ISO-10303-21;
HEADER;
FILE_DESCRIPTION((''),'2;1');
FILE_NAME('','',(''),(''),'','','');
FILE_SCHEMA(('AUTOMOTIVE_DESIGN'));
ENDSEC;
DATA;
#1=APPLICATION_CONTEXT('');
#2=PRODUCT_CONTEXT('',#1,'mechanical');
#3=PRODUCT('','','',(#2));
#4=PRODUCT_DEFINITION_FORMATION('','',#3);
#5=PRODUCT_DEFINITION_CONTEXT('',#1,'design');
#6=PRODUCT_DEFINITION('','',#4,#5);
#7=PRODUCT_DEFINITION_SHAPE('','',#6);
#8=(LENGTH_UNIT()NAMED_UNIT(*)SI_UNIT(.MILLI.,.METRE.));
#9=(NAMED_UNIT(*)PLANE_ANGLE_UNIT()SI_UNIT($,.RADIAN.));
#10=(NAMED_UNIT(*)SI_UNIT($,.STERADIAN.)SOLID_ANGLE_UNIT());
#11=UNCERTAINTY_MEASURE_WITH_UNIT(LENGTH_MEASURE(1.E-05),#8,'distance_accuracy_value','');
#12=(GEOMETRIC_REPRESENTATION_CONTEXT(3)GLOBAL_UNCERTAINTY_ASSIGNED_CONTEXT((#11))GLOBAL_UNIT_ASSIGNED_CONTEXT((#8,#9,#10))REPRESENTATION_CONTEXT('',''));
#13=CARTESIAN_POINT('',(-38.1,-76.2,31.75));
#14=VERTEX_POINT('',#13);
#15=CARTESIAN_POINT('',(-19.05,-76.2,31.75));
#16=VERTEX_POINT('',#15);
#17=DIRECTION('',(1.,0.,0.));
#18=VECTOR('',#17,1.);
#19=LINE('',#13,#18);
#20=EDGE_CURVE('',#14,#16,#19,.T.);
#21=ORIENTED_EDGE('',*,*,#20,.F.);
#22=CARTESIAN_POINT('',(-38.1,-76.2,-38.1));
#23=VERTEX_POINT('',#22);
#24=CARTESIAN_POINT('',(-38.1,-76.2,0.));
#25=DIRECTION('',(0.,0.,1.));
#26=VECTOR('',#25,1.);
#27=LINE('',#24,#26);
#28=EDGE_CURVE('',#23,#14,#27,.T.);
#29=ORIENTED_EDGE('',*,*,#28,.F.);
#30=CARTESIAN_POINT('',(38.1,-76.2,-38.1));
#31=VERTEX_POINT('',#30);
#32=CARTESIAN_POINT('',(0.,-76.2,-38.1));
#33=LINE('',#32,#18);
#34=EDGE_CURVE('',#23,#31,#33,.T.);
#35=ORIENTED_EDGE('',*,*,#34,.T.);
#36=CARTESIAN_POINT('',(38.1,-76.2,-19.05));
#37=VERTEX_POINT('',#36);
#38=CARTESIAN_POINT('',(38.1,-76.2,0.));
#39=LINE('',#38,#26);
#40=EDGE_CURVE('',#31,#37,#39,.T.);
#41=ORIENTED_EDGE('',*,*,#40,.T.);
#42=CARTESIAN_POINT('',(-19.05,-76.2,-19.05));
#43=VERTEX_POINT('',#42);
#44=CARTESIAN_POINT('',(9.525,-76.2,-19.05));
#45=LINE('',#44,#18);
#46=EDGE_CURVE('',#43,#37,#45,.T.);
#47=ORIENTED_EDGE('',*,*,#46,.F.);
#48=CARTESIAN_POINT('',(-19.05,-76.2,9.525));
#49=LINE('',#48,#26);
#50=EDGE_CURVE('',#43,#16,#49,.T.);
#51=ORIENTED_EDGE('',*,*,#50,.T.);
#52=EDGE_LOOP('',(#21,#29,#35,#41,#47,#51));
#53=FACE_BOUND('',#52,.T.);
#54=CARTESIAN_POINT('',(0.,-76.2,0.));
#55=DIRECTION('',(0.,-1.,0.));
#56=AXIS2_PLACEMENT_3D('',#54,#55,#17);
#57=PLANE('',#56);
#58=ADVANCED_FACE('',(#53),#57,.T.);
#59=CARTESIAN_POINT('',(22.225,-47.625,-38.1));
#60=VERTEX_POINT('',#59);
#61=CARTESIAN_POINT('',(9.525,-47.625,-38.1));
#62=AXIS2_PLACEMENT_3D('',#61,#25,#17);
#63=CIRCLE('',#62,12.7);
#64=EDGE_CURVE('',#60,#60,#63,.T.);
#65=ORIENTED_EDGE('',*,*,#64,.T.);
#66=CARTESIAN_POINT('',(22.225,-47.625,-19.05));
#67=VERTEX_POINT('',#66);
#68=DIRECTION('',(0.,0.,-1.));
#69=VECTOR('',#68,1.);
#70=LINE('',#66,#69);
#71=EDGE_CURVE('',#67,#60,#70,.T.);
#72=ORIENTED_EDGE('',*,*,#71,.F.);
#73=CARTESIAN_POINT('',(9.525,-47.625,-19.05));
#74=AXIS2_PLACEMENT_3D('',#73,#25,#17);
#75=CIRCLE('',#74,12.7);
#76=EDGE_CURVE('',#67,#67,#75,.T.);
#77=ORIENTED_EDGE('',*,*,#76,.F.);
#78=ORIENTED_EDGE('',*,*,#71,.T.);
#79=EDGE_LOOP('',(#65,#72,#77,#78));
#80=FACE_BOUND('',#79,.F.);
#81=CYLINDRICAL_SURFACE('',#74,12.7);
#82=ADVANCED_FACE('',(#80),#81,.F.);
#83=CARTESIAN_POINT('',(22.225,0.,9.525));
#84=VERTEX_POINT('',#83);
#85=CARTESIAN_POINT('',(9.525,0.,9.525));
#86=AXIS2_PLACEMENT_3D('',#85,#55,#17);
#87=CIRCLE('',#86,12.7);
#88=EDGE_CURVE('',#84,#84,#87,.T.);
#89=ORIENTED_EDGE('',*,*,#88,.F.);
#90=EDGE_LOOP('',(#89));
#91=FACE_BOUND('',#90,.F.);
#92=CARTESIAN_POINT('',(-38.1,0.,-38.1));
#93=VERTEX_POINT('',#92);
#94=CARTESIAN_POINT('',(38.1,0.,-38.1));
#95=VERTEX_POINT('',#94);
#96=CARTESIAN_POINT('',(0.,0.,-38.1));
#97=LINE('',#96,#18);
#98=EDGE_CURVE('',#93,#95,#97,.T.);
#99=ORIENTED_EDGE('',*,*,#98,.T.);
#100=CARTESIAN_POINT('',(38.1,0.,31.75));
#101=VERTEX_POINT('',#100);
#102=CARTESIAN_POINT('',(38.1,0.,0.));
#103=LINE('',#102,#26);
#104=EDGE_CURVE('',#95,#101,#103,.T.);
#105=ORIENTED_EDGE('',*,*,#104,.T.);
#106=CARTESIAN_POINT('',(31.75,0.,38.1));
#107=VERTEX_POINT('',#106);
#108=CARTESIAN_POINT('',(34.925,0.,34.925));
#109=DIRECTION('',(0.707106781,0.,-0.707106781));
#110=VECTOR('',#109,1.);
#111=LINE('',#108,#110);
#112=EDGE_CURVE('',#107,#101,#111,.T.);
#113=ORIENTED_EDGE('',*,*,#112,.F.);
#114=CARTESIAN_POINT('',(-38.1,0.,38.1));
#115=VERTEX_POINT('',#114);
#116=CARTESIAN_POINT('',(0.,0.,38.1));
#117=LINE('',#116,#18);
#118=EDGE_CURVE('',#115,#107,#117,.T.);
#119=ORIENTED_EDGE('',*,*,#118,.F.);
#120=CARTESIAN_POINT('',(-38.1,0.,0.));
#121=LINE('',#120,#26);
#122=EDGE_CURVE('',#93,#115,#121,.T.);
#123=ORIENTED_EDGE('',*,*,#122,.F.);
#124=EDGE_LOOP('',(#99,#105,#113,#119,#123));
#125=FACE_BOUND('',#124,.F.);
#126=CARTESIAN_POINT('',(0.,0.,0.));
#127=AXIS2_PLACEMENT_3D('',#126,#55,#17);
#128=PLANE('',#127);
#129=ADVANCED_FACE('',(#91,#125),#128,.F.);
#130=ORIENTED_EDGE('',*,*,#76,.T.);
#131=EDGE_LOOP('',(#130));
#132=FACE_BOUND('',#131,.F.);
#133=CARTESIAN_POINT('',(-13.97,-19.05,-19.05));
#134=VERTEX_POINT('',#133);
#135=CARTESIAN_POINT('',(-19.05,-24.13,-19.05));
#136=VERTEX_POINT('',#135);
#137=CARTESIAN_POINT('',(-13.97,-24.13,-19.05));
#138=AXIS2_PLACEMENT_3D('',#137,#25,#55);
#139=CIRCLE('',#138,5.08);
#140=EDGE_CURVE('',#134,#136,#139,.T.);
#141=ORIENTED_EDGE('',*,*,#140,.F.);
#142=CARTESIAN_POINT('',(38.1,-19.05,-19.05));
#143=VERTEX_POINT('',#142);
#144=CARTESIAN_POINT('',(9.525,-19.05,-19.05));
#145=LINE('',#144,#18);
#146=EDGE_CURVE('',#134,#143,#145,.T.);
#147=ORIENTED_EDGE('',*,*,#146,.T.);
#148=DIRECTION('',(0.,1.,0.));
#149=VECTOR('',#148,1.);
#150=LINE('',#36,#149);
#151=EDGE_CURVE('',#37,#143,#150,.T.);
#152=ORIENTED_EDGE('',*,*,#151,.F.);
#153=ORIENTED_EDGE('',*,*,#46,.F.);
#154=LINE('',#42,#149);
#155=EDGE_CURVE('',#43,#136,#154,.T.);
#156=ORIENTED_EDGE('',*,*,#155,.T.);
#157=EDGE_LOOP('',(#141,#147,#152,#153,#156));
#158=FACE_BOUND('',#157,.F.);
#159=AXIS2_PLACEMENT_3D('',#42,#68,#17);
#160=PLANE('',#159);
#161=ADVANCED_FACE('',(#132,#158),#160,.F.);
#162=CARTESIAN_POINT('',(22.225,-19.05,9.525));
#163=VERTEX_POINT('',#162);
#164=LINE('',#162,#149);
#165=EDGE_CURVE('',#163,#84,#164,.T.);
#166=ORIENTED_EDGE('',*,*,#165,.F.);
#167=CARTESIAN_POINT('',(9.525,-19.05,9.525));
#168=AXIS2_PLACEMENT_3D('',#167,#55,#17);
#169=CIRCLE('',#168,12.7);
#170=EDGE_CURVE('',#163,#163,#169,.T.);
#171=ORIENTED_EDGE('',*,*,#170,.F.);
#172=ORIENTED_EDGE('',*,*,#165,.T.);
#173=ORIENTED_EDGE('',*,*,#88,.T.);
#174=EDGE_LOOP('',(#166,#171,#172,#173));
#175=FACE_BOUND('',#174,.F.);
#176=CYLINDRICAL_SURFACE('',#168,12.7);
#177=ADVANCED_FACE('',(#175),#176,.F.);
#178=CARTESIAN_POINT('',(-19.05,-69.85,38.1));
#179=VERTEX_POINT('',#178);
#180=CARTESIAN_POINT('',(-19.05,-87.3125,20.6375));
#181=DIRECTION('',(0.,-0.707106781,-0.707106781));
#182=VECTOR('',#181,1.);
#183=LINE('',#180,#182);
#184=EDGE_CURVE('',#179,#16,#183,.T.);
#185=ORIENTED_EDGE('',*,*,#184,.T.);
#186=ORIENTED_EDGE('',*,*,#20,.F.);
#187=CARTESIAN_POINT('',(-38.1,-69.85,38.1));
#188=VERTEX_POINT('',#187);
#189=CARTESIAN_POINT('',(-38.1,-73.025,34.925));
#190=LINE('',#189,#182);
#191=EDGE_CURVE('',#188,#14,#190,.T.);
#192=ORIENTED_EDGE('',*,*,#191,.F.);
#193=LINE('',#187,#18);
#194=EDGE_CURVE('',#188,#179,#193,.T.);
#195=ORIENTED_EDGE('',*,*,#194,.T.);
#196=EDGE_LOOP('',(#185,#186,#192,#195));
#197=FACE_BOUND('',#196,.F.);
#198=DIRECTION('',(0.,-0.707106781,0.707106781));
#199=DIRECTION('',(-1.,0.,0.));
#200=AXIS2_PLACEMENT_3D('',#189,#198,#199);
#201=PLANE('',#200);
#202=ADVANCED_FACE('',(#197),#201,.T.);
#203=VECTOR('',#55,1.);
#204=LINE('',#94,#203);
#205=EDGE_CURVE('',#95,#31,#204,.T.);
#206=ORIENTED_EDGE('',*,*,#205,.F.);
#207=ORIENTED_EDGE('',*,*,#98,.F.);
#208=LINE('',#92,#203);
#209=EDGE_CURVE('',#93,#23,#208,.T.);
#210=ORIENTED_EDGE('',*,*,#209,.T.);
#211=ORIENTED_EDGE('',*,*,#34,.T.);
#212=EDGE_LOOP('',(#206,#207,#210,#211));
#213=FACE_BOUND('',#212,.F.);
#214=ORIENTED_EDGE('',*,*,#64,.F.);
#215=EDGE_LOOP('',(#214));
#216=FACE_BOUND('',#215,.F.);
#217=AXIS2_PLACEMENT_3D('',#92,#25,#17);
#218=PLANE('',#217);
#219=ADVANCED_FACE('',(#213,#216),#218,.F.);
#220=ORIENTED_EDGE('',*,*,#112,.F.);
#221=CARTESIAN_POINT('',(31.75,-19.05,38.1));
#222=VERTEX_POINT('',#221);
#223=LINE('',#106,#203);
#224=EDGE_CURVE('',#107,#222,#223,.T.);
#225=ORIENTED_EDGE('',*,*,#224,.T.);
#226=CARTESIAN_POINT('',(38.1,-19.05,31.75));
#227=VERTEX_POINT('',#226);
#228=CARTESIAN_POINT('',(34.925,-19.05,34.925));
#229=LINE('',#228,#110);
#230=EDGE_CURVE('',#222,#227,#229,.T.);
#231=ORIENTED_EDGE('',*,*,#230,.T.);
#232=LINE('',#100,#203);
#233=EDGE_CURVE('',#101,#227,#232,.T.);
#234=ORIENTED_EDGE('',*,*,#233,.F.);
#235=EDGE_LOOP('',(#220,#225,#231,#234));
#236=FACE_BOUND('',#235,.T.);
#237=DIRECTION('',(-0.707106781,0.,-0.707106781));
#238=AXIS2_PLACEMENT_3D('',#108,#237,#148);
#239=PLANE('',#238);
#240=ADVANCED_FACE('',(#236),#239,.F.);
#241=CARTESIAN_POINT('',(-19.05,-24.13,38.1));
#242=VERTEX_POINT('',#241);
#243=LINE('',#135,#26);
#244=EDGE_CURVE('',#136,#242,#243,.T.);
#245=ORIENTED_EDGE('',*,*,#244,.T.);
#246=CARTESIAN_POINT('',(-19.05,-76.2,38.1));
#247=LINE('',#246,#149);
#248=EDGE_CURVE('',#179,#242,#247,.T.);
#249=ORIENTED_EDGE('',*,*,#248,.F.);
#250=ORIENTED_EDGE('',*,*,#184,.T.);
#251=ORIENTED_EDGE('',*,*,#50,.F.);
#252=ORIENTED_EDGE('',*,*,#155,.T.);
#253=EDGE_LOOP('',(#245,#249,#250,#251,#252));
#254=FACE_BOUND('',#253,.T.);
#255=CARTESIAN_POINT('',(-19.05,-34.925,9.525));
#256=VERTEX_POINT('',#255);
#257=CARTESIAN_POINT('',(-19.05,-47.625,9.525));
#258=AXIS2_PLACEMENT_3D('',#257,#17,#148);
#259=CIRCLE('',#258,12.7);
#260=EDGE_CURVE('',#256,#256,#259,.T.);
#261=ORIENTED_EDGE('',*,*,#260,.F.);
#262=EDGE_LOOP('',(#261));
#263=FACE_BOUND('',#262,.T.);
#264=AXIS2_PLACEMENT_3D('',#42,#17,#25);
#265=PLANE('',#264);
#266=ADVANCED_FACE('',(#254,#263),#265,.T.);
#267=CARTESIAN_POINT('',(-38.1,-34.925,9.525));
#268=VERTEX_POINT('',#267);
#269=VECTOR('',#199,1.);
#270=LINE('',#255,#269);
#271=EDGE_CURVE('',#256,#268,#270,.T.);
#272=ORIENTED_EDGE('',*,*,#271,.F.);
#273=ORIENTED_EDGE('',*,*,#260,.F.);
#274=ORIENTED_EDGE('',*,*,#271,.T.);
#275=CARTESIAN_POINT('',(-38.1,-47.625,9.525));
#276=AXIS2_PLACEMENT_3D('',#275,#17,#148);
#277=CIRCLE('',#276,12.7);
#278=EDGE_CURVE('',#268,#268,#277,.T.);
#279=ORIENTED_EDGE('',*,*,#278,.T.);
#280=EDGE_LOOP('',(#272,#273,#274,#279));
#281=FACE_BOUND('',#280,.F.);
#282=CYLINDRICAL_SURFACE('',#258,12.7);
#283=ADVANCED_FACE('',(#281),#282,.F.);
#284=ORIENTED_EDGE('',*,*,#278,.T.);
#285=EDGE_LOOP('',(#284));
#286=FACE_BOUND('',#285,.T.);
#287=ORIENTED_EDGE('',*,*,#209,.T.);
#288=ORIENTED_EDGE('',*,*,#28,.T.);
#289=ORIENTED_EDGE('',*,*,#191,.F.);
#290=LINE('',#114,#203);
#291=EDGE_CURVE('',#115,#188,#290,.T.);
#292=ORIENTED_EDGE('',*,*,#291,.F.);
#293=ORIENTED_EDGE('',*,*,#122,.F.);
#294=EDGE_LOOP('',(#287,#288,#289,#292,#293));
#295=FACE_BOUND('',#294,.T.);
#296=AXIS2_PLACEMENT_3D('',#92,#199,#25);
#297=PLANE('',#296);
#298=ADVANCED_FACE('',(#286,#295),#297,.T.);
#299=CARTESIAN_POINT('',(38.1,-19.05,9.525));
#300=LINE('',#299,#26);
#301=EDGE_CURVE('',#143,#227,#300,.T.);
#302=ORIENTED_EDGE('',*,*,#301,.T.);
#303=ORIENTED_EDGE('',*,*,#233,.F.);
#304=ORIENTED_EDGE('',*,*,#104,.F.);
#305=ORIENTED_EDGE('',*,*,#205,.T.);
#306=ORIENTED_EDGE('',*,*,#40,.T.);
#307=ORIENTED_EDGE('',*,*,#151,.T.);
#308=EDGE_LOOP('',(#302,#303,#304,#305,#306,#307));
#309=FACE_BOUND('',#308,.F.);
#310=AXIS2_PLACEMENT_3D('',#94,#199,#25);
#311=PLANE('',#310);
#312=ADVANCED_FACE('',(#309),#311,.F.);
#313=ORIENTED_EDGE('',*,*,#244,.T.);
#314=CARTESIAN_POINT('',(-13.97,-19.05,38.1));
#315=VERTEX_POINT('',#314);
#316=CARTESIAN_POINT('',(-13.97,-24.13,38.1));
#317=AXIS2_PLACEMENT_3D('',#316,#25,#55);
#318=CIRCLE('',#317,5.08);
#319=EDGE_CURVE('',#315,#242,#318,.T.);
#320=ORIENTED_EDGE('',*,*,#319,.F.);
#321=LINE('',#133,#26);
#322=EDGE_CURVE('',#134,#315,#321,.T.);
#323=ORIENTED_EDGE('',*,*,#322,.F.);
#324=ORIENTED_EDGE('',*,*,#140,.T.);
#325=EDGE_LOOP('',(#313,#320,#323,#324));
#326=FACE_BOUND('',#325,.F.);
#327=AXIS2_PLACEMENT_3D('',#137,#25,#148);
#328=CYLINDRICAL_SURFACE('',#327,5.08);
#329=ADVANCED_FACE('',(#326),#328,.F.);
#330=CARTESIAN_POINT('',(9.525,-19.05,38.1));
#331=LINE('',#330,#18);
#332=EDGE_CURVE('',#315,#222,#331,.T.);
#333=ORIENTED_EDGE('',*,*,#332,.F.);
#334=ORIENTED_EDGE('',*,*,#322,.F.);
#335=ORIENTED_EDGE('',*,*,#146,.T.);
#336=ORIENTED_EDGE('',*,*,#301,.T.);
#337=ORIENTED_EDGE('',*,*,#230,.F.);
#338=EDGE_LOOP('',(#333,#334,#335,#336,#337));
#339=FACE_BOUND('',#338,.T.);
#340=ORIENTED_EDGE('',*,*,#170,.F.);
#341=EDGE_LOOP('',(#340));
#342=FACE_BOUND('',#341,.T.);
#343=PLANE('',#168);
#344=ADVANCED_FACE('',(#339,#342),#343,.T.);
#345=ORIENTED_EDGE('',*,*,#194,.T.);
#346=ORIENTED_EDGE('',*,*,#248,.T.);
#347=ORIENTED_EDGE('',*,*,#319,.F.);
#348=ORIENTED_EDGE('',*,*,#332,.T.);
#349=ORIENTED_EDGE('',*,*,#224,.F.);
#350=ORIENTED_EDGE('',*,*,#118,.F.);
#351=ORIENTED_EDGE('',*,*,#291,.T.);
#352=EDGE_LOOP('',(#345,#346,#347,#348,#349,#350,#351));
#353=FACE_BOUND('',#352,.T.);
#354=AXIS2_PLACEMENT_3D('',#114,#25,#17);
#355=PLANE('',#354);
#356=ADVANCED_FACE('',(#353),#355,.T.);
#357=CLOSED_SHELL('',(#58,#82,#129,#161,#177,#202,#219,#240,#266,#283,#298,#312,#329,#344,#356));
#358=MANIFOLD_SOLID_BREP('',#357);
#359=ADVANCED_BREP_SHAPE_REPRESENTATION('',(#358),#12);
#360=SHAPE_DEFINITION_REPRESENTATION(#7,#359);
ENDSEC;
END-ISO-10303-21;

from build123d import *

# Parameters (mm, degrees)
F0_W      = 76.2
F0_H      = 76.2
F1_DEPTH  = 76.2
F2_W      = 57.15
F2_H      = 57.15
F3_DEPTH  = 57.15
F4_SIZE   = 6.35
F5_SIZE   = 6.35
F6_R      = 5.08
F7_R      = 12.7
F8_DEPTH  = 19.05
F9_R      = 12.7
F10_DEPTH = 19.05
F11_R     = 12.7
F12_DEPTH = 19.05


with BuildPart() as f1:
    # F0 (on Front) → F1 (new body)
    with BuildSketch(Plane.XZ):
        Rectangle(F0_W, F0_H)
    extrude(amount=F1_DEPTH)

    # F2 (on face) → F3 (cut)
    with BuildSketch(Plane.XZ.offset(76.2)):
        with Locations((9.525, 9.525)):
            Rectangle(F2_W, F2_H)
    extrude(amount=-F3_DEPTH, mode=Mode.SUBTRACT)

    # F4
    f4_edges = [f1.edges().sort_by_distance(p)[0] for p in [
        (-28.575, -76.2, 38.1),
    ]]
    chamfer(f4_edges, length=F4_SIZE)

    # F5
    f5_edges = [f1.edges().sort_by_distance(p)[0] for p in [
        (38.1, -9.525, 38.1),
    ]]
    chamfer(f5_edges, length=F5_SIZE)

    # F6
    f6_edges = [f1.edges().sort_by_distance(p)[0] for p in [
        (-19.05, -19.05, 9.525),
    ]]
    fillet(f6_edges, radius=F6_R)

    # F7 (on face) → F8 (cut)
    with BuildSketch(Plane.YZ.offset(-19.05)):
        with Locations((-47.625, 9.525)):
            Circle(F7_R)
    extrude(amount=-F8_DEPTH, mode=Mode.SUBTRACT)

    # F9 (on face) → F10 (cut)
    with BuildSketch(Plane.XZ.offset(19.05)):
        with Locations((9.525, 9.525)):
            Circle(F9_R)
    extrude(amount=-F10_DEPTH, mode=Mode.SUBTRACT)

    # F11 (on face) → F12 (cut)
    with BuildSketch(Plane.XY.offset(-19.05)):
        with Locations((9.525, -47.625)):
            Circle(F11_R)
    extrude(amount=-F12_DEPTH, mode=Mode.SUBTRACT)


solid = f1.part
